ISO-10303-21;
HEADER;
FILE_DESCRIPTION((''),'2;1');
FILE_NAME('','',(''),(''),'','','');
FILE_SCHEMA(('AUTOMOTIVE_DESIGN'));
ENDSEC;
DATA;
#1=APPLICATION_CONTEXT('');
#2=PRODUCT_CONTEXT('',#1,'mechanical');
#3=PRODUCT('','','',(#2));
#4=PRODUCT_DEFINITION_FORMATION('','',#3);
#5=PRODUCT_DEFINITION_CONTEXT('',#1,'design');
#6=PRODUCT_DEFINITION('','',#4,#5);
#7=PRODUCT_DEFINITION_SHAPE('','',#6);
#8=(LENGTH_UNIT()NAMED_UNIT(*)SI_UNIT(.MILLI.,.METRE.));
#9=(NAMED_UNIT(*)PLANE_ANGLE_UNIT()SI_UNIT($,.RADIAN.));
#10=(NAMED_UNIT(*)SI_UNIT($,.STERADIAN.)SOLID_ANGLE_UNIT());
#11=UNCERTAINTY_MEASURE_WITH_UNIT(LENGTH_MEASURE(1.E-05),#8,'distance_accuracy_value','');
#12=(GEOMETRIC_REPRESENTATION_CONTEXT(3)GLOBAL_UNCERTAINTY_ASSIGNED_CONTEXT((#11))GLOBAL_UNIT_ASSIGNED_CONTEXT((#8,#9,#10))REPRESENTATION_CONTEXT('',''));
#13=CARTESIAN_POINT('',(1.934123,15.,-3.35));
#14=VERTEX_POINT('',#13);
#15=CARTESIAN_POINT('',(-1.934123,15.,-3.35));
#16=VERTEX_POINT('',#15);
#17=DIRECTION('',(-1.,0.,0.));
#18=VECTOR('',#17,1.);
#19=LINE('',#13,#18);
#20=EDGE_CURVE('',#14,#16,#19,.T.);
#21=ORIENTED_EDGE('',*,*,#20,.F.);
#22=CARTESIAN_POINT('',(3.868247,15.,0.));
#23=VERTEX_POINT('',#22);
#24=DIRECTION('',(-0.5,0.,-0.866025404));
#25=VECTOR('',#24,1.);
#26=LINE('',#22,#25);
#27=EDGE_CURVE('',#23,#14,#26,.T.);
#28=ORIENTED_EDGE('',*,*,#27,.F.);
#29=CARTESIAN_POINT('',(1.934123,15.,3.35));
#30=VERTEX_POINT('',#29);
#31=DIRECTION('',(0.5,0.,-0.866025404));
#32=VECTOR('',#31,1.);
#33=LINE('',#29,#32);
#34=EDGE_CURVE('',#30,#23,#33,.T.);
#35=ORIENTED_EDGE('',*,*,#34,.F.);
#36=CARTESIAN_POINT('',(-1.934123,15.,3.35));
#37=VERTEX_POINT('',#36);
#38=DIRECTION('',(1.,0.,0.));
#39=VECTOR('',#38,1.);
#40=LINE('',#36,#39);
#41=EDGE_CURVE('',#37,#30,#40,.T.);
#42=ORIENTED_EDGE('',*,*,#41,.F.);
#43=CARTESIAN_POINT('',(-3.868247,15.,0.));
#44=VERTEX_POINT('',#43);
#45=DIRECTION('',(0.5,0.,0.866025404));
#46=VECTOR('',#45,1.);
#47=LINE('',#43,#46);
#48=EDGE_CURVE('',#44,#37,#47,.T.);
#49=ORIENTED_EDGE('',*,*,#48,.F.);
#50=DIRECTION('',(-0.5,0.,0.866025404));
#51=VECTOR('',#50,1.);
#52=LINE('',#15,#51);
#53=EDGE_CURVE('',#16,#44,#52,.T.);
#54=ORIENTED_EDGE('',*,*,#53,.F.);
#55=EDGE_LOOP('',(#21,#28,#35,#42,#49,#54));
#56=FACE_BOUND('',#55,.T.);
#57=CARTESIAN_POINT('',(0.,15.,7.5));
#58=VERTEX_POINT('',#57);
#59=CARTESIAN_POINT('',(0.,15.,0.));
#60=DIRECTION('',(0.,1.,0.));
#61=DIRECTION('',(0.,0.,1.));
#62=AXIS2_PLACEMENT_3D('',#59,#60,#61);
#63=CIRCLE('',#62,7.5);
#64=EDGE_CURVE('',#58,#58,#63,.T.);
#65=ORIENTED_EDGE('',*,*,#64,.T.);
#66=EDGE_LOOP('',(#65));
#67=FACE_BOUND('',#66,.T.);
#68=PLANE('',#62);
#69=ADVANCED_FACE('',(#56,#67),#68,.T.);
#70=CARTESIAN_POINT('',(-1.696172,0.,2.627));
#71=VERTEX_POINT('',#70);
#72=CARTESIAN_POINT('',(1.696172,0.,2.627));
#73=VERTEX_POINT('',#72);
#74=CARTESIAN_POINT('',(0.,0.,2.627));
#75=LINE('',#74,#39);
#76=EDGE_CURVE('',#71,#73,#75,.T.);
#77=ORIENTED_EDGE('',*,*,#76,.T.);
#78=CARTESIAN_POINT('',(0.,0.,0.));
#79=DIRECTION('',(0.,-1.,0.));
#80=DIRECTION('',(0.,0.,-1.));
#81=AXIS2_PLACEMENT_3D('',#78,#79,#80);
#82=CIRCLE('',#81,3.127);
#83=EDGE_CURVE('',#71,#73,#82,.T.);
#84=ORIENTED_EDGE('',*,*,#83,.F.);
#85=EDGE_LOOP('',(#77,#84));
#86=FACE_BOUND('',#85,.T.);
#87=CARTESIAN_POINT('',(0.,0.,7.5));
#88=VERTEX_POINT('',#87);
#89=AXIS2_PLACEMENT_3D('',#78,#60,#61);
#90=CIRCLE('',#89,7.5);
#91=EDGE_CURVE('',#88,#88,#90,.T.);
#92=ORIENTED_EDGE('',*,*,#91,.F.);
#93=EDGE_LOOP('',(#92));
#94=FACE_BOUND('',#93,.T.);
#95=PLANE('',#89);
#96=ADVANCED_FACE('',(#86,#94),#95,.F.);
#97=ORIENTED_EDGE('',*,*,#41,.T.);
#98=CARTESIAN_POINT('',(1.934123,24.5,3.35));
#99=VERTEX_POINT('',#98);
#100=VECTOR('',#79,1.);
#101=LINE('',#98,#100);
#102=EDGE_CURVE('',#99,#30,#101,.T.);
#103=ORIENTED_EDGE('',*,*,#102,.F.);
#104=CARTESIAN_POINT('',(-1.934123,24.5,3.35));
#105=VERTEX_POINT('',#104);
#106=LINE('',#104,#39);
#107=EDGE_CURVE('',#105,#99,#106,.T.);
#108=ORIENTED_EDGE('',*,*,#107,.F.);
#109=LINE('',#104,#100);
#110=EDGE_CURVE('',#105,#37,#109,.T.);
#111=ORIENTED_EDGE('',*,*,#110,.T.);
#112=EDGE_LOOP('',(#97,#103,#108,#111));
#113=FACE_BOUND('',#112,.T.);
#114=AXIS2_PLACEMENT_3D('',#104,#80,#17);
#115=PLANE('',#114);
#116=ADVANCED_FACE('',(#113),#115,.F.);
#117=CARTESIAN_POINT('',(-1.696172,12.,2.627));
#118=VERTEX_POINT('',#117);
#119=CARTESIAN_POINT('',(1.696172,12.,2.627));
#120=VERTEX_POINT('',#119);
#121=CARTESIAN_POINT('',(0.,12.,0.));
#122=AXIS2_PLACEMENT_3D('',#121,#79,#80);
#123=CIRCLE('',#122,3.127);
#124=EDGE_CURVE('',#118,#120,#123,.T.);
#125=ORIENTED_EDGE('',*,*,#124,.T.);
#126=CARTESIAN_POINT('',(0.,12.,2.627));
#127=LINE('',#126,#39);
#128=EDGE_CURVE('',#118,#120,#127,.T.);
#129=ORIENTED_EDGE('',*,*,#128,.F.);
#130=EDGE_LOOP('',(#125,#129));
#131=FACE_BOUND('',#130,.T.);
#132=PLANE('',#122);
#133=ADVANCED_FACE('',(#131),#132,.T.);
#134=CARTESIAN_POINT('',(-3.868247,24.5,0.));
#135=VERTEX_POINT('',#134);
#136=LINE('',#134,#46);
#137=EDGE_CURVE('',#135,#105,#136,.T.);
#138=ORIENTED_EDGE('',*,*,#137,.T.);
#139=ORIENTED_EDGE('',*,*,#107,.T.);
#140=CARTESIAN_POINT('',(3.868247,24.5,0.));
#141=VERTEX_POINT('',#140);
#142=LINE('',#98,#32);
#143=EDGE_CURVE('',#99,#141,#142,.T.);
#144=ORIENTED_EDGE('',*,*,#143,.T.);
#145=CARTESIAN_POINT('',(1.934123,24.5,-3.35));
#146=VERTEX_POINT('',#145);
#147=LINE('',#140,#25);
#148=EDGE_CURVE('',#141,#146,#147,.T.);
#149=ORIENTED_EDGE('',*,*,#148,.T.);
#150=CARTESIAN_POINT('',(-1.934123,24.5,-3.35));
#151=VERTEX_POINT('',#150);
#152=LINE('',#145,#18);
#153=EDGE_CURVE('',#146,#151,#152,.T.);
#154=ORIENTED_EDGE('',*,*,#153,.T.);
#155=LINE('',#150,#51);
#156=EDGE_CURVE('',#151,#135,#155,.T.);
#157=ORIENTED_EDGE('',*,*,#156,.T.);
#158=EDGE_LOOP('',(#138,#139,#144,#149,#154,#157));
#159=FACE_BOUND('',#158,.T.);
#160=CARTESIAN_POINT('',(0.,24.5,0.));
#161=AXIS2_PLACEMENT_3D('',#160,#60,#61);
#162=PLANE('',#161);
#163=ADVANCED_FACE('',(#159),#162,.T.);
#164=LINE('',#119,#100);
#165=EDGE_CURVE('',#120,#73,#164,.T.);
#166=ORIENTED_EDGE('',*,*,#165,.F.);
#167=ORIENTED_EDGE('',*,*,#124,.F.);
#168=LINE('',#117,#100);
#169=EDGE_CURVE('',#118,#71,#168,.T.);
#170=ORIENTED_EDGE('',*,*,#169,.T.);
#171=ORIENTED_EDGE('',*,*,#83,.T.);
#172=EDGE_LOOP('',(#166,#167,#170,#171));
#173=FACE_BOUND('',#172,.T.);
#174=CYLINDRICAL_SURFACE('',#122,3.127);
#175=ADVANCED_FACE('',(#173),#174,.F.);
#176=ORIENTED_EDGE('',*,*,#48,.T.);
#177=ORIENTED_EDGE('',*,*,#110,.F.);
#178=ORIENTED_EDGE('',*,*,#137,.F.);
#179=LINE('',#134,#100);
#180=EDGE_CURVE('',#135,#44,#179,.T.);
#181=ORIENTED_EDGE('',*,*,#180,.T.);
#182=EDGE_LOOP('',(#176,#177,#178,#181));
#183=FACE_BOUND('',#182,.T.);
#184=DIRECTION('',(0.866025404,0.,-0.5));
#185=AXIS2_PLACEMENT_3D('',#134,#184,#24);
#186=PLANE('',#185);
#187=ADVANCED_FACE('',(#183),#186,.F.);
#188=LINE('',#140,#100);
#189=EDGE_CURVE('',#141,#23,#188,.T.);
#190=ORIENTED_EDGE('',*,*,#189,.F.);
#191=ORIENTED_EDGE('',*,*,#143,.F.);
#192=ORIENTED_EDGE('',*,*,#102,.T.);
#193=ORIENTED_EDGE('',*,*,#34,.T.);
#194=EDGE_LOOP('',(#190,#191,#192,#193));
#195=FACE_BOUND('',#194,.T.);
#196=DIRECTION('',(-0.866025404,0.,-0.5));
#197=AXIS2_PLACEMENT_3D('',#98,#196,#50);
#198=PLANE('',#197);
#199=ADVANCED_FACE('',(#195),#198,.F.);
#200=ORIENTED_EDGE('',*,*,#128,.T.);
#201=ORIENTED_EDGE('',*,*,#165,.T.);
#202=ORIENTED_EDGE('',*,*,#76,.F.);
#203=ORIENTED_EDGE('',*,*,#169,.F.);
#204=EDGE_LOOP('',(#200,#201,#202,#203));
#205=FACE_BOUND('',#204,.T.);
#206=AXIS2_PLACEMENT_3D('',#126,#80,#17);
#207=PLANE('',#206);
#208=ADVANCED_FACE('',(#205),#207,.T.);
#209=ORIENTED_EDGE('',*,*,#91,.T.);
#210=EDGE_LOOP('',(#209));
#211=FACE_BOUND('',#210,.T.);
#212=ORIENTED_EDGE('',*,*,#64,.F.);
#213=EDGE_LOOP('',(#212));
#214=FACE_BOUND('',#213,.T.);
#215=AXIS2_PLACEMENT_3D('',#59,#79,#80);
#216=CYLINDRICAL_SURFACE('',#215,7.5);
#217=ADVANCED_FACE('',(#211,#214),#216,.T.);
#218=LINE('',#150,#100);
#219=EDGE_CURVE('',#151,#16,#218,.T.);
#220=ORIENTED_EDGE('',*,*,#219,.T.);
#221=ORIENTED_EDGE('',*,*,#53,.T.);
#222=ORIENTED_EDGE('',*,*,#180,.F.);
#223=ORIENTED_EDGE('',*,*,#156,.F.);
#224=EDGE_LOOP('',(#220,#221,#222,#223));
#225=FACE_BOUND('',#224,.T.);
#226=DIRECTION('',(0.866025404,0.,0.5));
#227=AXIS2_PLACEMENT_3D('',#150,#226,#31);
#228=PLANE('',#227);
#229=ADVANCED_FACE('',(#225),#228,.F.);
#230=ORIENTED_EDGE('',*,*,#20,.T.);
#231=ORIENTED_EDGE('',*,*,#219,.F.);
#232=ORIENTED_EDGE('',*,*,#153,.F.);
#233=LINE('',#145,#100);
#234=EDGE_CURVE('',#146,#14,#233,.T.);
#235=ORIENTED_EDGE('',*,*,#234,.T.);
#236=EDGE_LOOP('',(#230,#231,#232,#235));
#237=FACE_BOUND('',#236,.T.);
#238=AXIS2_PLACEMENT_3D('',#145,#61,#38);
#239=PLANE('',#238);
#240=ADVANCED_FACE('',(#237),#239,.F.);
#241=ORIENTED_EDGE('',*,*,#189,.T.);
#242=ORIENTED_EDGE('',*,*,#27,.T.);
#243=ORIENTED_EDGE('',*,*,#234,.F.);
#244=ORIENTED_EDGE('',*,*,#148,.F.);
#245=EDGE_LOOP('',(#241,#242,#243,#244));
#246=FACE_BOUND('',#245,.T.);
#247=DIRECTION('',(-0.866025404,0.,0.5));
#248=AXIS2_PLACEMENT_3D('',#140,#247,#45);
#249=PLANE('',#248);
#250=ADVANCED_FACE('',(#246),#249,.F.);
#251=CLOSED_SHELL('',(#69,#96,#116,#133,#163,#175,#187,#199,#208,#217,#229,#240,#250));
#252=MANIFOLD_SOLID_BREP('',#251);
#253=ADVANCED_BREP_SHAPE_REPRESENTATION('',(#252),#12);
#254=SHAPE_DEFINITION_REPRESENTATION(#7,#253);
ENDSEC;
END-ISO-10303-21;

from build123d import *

# Parameters (mm, degrees)
SKETCH1_R           = 7.5
BOSS_EXTRUDE1_DEPTH = 15
BOSS_EXTRUDE2_DEPTH = 9.5
CUT_EXTRUDE1_DEPTH  = 12


with BuildPart() as part:
    # Sketch1 → Boss-Extrude1 (new body)
    with BuildSketch(Plane(origin=(0, 0, 0), x_dir=(1, 0, 0), z_dir=(0, 1, 0))):
        Circle(SKETCH1_R)
    extrude(amount=BOSS_EXTRUDE1_DEPTH)

    # Sketch4 → Boss-Extrude2 (add)
    with BuildSketch(Plane(origin=(0, 15, 0), x_dir=(1, 0, 0), z_dir=(0, 1, 0))):
        Polygon((1.934123402, 3.35), (-1.934123402, 3.35), (-3.868246804, 0), (-1.934123402, -3.35), (1.934123402, -3.35), (3.868246804, 0), align=None)
    extrude(amount=BOSS_EXTRUDE2_DEPTH)

    # Sketch5 → Cut-Extrude1 (cut)
    with BuildSketch(Plane.XZ):
        with BuildLine():
            Line((1.696172161, 2.627), (-1.696172161, 2.627))
            ThreePointArc((-1.696172161, 2.627), (-1.495693594, -2.74609353), (3.127, 0))
            ThreePointArc((3.127, 0), (2.74609353, 1.495693594), (1.696172161, 2.627))
        make_face()
    extrude(amount=-CUT_EXTRUDE1_DEPTH, mode=Mode.SUBTRACT)


solid = part.part
